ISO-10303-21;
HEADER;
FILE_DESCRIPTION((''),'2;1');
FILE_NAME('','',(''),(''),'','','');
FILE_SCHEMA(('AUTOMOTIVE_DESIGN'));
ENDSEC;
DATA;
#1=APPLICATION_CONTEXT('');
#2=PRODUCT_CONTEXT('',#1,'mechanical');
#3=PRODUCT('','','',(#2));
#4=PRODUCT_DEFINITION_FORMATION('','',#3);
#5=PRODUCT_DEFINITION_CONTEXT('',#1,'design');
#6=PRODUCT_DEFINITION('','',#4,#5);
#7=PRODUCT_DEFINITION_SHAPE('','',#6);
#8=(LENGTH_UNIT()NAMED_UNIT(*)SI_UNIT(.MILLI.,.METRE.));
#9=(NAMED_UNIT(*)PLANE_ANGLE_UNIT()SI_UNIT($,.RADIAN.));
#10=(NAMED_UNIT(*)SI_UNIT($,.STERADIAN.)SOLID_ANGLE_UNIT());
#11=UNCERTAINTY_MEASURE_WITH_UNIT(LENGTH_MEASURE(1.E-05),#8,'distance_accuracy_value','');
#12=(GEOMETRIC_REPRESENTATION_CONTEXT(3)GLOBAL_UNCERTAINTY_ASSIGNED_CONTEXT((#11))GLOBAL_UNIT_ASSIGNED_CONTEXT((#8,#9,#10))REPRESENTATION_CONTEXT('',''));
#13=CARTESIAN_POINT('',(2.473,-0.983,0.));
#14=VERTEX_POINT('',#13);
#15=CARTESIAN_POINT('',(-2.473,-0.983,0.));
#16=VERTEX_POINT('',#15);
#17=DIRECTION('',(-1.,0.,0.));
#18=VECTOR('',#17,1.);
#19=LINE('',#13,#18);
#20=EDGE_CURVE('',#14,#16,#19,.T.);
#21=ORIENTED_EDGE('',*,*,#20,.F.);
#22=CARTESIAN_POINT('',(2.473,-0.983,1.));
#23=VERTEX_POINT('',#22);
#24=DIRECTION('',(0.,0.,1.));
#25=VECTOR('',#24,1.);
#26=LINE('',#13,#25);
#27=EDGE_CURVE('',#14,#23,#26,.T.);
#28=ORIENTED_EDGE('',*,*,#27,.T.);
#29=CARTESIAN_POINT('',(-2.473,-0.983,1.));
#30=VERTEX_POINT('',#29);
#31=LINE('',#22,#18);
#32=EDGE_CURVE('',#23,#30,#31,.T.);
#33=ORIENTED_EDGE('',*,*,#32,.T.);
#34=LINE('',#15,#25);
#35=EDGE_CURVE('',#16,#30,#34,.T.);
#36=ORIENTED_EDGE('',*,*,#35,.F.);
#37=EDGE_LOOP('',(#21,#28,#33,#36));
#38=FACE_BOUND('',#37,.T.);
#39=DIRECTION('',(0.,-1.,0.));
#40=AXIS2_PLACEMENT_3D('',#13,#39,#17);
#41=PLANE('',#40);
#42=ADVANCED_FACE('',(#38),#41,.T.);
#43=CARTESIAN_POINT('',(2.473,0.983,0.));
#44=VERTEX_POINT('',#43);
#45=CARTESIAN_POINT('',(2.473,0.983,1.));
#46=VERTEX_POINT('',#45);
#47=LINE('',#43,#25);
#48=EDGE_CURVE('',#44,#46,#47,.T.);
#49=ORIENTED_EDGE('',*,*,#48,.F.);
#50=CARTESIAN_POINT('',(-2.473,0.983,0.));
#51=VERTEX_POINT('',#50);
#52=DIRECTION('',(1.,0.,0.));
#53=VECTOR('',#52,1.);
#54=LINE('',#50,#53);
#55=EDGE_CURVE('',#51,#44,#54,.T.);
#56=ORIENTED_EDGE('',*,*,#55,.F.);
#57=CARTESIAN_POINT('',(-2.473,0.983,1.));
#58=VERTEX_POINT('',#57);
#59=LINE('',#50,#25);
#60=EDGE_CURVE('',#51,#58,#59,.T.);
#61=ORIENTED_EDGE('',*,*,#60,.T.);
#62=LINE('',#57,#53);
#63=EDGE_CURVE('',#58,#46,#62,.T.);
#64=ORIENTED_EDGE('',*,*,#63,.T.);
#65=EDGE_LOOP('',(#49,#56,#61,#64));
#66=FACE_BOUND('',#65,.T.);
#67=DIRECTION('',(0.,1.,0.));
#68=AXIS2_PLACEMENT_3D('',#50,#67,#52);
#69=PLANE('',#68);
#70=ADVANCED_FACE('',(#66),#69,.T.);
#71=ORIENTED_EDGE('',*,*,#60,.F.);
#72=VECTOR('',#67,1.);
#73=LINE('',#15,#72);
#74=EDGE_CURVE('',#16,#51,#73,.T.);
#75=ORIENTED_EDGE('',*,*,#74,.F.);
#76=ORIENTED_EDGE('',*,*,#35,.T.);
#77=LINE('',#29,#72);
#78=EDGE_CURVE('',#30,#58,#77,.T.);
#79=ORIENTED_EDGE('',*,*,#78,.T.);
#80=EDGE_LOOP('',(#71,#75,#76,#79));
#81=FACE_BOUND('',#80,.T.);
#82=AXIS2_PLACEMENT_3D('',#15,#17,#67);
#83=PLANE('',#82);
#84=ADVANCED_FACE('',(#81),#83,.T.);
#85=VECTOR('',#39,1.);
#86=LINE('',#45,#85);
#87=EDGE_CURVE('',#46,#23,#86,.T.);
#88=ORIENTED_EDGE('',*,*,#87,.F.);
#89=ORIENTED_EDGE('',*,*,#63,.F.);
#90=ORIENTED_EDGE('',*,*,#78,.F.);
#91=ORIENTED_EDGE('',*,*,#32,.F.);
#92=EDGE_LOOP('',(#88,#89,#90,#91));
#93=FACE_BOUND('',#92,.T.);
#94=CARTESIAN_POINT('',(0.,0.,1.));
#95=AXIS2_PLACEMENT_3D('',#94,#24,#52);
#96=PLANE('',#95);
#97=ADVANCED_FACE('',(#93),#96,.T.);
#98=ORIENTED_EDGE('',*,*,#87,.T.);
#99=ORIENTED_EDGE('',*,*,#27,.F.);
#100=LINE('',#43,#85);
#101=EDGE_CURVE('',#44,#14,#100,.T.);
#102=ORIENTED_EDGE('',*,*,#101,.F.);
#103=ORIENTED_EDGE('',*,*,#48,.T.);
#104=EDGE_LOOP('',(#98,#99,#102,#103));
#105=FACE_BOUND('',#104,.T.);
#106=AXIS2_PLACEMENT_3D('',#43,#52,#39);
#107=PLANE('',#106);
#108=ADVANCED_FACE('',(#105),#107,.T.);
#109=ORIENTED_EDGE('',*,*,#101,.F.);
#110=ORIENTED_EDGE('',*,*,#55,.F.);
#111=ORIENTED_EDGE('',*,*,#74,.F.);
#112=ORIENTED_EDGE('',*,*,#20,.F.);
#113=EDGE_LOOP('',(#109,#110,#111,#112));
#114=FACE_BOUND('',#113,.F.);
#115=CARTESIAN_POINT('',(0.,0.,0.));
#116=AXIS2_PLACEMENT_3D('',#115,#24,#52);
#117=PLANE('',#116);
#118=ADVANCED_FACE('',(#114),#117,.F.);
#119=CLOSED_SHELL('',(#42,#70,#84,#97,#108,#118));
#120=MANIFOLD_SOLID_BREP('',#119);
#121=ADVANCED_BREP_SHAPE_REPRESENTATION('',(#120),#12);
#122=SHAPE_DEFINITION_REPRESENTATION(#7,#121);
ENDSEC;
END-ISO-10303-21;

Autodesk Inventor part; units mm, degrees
ref_plane "YZ Plane" through (0, 0, 0) normal (1, 0, 0) x (0, 1, 0)
ref_plane "XZ Plane" through (0, 0, 0) normal (0, 1, 0) x (-1, 0, 0)
ref_plane "XY Plane" through (0, 0, 0) normal (0, 0, 1) x (1, 0, 0)
sketch "R1206, R1206_99" plane through (0, 0, 0) normal (0, 0, 1) x (1, 0, 0)
  line L0 (-2.473, 0.983) -> (2.473, 0.983)
  line L1 (2.473, 0.983) -> (2.473, -0.983)
  line L2 (2.473, -0.983) -> (-2.473, -0.983)
  line L3 (-2.473, -0.983) -> (-2.473, 0.983)
extrude "Extrusion1" add sketch "R1206, R1206_99" along normal blind 1
properties part number "R1206"
